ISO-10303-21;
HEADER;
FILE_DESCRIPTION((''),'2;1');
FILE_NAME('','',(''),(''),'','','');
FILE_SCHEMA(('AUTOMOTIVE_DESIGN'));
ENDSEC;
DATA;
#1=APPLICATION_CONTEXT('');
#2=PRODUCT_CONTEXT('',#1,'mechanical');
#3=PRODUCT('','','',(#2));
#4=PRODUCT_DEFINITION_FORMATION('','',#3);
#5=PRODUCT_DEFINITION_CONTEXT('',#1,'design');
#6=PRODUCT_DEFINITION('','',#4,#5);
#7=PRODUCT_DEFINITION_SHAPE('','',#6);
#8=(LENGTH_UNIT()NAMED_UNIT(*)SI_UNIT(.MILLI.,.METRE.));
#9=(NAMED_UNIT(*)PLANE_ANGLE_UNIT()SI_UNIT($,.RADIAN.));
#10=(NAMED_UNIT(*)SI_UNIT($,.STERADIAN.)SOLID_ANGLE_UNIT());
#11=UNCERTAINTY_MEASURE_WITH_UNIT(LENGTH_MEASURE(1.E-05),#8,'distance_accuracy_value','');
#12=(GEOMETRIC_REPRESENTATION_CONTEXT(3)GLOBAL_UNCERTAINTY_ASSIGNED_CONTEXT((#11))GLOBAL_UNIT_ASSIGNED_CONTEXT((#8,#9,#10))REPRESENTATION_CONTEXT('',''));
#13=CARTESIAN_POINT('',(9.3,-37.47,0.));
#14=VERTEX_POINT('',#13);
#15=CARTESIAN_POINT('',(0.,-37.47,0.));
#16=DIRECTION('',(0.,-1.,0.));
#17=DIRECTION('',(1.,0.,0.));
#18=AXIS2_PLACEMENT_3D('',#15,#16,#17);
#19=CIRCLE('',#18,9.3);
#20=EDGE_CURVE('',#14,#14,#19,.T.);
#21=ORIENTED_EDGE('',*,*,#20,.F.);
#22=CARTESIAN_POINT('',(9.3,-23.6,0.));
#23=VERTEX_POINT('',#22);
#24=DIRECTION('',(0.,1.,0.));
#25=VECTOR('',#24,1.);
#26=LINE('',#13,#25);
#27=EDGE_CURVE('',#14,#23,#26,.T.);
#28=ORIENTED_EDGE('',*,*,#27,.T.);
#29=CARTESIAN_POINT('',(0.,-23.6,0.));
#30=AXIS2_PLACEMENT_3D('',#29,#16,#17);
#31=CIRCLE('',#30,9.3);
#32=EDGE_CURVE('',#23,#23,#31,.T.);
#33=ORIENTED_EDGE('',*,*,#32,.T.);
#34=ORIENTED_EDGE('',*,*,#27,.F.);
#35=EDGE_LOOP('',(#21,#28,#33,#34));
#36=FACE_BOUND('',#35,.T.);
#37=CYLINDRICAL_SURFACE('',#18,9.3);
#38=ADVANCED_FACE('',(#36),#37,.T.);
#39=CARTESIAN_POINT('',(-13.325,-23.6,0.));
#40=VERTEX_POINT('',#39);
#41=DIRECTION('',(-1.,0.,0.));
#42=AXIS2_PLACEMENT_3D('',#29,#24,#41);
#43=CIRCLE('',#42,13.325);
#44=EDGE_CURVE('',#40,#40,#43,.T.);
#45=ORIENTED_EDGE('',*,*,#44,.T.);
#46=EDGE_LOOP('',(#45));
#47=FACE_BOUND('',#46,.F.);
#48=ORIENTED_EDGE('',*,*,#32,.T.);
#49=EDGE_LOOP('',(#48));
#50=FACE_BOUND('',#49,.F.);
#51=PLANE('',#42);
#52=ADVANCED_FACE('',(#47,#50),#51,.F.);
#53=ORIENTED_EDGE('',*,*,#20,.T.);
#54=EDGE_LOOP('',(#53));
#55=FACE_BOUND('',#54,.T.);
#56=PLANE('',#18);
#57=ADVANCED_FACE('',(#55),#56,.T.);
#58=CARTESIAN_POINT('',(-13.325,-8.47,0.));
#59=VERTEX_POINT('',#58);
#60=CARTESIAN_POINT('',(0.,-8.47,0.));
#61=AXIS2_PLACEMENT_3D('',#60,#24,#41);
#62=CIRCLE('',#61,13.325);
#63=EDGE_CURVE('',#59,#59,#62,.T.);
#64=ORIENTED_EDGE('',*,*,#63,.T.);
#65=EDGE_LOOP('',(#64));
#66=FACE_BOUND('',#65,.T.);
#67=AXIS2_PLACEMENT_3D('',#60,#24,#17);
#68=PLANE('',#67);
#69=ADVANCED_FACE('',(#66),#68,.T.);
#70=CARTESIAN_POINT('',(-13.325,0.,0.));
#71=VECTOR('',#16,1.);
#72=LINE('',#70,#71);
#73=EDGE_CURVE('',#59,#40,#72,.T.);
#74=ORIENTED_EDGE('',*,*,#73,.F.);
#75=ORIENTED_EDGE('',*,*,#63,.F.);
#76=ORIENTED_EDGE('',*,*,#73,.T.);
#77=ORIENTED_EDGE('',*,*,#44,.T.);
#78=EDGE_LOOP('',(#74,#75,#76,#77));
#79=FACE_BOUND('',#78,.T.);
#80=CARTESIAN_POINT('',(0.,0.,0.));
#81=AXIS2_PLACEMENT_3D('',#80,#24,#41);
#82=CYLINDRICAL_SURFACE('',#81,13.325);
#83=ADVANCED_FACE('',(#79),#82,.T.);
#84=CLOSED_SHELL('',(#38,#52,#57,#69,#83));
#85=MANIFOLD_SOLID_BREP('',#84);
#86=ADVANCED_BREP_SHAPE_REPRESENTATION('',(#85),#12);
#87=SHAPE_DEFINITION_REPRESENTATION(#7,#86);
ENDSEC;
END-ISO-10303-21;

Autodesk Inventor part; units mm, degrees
ref_plane "YZ Plane" through (0, 0, 0) normal (1, 0, 0) x (0, 1, 0)
ref_plane "XZ Plane" through (0, 0, 0) normal (0, 1, 0) x (-1, 0, 0)
sketch "Boceto1" plane through (0, 0, 0) normal (0, 1, 0) x (-1, 0, 0)
  circle A0 centre (0, 0) radius 9
  circle A1 centre (0, 0) radius 13.325
  dimension "d0" = 18
  dimension "d1" = 26.65
extrude "Extrusión1" add sketch "Boceto1" against normal blind 23.6
ref_plane "Plano de trabajo2" through (0, -18.5, 0) normal (0, 1, 0) x (1, 0, 0)
sketch "Boceto4" plane through (0, -18.5, 0) normal (0, 1, 0) x (1, 0, 0)
  circle A0 centre (0, 0) radius 6.8
  dimension "d18" = 13.6
extrude "Extrusión4" add sketch "Boceto4" against normal blind 18.97
sketch "Boceto5" plane through (0, 0, 0) normal (0, 1, 0) x (1, 0, 0)
  circle A0 centre (0, 0) radius 10.7
extrude "Extrusión5" cut sketch "Boceto5" against normal blind 18.97
sketch "Boceto6" plane through (0, -37.47, 0) normal (0, -1, 0) x (1, 0, 0)
  circle A0 centre (0, 0) radius 6.7
  circle A1 centre (0, 0) radius 9.3
  dimension "d25" = 13.4
  dimension "d26" = 18.6
extrude "Extrusión6" add sketch "Boceto6" against normal blind 18.97
sketch "Boceto7" plane through (0, -37.47, 0) normal (0, -1, 0) x (1, 0, 0)
  circle A0 centre (0, 0) radius 8.5
  dimension "d29" = 17
extrude "Extrusión7" cut sketch "Boceto7" against normal blind 18.97
thread "Rosca2" size "M20x2.5" class "6g" standard "ANSI Metric M Profile" full length
sketch "Boceto9" plane through (0, -37.47, 0) normal (0, -1, 0) x (1, 0, 0)
  circle A0 centre (0, 0) radius 9.3
extrude "Extrusión8" cut sketch "Boceto9" along normal blind 8.47
sketch "Boceto10" plane through (0, -23.6, 0) normal (0, -1, 0) x (1, 0, 0)
  circle A0 centre (0, 0) radius 10.7
extrude "Extrusión9" add sketch "Boceto10" against normal blind 1
sketch "Boceto11" plane through (0, -23.6, 0) normal (0, -1, 0) x (1, 0, 0)
  circle A0 centre (0, 0) radius 8.5
extrude "Extrusión10" cut sketch "Boceto11" against normal blind 53.22
sketch "Boceto12" plane through (0, 0, 0) normal (0, 1, 0) x (1, 0, 0)
  circle A0 centre (0, 0) radius 8.5 projected
  circle A1 centre (0, 0) radius 10.7
  circle A2 centre (0, 0) radius 9.3 projected
  circle A3 centre (0, 0) radius 13.88
extrude "Extrusión11" cut sketch "Boceto12" against normal blind 8.47 contours A3
sketch "Boceto13" plane through (0, -8.47, 0) normal (0, 1, 0) x (1, 0, 0)
  circle A0 centre (0, 0) radius 10.7 projected
  circle A1 centre (0, 0) radius 10.7
extrude "Extrusión12" add sketch "Boceto13" against normal up to surface (15.13 mm away)
sketch "Boceto14" plane through (0, -37.47, 0) normal (0, -1, 0) x (1, 0, 0)
  circle A0 centre (0, 0) radius 8.5 projected
  circle A1 centre (0, 0) radius 8.5
extrude "Extrusión13" add sketch "Boceto14" against normal up to surface (13.87 mm away)
sketch "Boceto15" plane through (0, -37.47, 0) normal (0, -1, 0) x (1, 0, 0)
  circle A0 centre (0, 0) radius 9.3 projected
  circle A1 centre (0, 0) radius 9.3
  dimension "d46" = 18.6
properties part number "Acople con rosca" material "PVC, no plastificado"
